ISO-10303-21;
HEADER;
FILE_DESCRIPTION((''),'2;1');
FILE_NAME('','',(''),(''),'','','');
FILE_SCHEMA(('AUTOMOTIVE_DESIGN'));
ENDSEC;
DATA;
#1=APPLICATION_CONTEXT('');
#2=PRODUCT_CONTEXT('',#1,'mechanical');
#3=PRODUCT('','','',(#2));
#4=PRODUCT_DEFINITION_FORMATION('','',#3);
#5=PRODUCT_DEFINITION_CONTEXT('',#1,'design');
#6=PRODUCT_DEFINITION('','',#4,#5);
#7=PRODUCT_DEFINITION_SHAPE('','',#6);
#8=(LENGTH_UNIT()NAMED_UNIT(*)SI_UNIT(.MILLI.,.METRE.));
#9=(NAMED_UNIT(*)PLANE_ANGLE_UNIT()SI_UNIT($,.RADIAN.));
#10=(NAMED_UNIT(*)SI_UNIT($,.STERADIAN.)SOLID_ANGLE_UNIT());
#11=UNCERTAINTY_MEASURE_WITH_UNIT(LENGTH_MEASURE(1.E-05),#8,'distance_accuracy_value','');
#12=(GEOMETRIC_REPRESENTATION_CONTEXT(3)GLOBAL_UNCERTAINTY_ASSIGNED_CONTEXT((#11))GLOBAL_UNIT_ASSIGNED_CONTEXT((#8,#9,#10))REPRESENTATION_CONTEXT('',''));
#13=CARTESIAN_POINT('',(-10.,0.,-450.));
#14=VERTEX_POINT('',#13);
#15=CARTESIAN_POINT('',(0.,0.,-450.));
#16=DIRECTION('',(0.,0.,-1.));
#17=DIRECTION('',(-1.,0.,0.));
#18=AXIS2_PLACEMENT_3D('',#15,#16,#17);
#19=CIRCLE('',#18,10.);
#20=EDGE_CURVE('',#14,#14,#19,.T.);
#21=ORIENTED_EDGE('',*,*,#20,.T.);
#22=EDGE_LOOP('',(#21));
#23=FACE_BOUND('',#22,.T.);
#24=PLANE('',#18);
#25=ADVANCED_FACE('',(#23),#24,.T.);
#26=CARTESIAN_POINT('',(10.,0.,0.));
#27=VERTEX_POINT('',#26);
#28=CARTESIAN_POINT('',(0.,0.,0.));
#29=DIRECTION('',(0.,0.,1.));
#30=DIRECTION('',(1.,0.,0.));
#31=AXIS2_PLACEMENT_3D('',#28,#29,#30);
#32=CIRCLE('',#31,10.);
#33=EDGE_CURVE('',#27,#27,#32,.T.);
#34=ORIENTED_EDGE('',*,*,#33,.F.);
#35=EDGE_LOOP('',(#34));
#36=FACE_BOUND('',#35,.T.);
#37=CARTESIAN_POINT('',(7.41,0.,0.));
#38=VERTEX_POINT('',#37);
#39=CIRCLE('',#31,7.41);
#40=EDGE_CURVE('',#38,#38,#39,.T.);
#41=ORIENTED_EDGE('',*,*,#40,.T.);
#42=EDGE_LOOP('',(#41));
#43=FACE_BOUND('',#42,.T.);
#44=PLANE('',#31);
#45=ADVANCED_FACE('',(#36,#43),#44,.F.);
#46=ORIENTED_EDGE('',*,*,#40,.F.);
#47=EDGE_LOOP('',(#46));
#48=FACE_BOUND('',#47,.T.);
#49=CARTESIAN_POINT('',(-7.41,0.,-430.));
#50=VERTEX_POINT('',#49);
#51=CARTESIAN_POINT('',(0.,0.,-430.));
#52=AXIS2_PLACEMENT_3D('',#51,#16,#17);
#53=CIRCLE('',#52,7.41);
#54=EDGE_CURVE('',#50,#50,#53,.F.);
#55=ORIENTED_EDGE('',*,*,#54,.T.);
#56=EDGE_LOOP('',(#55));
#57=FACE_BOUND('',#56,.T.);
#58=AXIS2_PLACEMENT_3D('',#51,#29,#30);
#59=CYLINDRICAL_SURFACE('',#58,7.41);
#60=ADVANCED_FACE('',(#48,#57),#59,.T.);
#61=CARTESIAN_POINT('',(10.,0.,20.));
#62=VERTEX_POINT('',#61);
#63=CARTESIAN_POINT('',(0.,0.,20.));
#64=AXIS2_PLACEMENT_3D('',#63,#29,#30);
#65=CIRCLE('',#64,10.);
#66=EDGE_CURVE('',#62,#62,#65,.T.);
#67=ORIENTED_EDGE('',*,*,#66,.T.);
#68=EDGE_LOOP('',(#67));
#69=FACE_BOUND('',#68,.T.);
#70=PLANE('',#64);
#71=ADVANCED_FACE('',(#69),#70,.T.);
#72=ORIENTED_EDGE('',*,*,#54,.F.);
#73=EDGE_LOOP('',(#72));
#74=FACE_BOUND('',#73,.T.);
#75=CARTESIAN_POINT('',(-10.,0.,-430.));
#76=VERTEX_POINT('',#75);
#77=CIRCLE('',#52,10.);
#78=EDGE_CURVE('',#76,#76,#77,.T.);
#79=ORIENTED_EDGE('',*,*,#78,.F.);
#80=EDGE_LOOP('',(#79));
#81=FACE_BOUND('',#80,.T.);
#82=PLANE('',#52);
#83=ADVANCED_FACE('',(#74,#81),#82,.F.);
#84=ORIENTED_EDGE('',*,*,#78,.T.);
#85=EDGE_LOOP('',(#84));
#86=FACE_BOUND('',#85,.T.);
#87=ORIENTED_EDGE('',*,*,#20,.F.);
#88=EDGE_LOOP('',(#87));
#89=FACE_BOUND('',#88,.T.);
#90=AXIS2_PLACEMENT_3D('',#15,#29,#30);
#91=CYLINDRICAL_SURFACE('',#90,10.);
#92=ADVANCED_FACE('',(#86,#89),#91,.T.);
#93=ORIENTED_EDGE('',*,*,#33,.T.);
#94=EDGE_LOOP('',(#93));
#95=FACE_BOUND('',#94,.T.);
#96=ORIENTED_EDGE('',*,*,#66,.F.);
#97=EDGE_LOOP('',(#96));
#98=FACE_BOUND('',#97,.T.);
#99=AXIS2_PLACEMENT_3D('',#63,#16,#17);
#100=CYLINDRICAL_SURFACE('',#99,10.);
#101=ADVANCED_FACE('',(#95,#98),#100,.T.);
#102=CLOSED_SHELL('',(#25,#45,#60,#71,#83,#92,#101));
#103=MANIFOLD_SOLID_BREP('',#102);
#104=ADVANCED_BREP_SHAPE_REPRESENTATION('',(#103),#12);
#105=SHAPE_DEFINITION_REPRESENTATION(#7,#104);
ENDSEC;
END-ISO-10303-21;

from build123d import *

# Parameters (mm, degrees)
SKETCH1_R           = 7.41
BOSS_EXTRUDE1_DEPTH = 430
SKETCH2_R           = 10
BOSS_EXTRUDE2_DEPTH = 20
SKETCH3_R           = 10
BOSS_EXTRUDE3_DEPTH = 20


with BuildPart() as part:
    # Sketch1 → Boss-Extrude1 (new body)
    with BuildSketch(Plane.XY):
        Circle(SKETCH1_R)
    extrude(amount=-BOSS_EXTRUDE1_DEPTH)

    # Sketch2 → Boss-Extrude2 (add)
    with BuildSketch(Plane(origin=(0, 0, -430), x_dir=(-1, 0, 0), z_dir=(0, 0, -1))):
        Circle(SKETCH2_R)
    extrude(amount=BOSS_EXTRUDE2_DEPTH)

    # Sketch3 → Boss-Extrude3 (add)
    with BuildSketch(Plane.XY):
        Circle(SKETCH3_R)
    extrude(amount=BOSS_EXTRUDE3_DEPTH)


solid = part.part
